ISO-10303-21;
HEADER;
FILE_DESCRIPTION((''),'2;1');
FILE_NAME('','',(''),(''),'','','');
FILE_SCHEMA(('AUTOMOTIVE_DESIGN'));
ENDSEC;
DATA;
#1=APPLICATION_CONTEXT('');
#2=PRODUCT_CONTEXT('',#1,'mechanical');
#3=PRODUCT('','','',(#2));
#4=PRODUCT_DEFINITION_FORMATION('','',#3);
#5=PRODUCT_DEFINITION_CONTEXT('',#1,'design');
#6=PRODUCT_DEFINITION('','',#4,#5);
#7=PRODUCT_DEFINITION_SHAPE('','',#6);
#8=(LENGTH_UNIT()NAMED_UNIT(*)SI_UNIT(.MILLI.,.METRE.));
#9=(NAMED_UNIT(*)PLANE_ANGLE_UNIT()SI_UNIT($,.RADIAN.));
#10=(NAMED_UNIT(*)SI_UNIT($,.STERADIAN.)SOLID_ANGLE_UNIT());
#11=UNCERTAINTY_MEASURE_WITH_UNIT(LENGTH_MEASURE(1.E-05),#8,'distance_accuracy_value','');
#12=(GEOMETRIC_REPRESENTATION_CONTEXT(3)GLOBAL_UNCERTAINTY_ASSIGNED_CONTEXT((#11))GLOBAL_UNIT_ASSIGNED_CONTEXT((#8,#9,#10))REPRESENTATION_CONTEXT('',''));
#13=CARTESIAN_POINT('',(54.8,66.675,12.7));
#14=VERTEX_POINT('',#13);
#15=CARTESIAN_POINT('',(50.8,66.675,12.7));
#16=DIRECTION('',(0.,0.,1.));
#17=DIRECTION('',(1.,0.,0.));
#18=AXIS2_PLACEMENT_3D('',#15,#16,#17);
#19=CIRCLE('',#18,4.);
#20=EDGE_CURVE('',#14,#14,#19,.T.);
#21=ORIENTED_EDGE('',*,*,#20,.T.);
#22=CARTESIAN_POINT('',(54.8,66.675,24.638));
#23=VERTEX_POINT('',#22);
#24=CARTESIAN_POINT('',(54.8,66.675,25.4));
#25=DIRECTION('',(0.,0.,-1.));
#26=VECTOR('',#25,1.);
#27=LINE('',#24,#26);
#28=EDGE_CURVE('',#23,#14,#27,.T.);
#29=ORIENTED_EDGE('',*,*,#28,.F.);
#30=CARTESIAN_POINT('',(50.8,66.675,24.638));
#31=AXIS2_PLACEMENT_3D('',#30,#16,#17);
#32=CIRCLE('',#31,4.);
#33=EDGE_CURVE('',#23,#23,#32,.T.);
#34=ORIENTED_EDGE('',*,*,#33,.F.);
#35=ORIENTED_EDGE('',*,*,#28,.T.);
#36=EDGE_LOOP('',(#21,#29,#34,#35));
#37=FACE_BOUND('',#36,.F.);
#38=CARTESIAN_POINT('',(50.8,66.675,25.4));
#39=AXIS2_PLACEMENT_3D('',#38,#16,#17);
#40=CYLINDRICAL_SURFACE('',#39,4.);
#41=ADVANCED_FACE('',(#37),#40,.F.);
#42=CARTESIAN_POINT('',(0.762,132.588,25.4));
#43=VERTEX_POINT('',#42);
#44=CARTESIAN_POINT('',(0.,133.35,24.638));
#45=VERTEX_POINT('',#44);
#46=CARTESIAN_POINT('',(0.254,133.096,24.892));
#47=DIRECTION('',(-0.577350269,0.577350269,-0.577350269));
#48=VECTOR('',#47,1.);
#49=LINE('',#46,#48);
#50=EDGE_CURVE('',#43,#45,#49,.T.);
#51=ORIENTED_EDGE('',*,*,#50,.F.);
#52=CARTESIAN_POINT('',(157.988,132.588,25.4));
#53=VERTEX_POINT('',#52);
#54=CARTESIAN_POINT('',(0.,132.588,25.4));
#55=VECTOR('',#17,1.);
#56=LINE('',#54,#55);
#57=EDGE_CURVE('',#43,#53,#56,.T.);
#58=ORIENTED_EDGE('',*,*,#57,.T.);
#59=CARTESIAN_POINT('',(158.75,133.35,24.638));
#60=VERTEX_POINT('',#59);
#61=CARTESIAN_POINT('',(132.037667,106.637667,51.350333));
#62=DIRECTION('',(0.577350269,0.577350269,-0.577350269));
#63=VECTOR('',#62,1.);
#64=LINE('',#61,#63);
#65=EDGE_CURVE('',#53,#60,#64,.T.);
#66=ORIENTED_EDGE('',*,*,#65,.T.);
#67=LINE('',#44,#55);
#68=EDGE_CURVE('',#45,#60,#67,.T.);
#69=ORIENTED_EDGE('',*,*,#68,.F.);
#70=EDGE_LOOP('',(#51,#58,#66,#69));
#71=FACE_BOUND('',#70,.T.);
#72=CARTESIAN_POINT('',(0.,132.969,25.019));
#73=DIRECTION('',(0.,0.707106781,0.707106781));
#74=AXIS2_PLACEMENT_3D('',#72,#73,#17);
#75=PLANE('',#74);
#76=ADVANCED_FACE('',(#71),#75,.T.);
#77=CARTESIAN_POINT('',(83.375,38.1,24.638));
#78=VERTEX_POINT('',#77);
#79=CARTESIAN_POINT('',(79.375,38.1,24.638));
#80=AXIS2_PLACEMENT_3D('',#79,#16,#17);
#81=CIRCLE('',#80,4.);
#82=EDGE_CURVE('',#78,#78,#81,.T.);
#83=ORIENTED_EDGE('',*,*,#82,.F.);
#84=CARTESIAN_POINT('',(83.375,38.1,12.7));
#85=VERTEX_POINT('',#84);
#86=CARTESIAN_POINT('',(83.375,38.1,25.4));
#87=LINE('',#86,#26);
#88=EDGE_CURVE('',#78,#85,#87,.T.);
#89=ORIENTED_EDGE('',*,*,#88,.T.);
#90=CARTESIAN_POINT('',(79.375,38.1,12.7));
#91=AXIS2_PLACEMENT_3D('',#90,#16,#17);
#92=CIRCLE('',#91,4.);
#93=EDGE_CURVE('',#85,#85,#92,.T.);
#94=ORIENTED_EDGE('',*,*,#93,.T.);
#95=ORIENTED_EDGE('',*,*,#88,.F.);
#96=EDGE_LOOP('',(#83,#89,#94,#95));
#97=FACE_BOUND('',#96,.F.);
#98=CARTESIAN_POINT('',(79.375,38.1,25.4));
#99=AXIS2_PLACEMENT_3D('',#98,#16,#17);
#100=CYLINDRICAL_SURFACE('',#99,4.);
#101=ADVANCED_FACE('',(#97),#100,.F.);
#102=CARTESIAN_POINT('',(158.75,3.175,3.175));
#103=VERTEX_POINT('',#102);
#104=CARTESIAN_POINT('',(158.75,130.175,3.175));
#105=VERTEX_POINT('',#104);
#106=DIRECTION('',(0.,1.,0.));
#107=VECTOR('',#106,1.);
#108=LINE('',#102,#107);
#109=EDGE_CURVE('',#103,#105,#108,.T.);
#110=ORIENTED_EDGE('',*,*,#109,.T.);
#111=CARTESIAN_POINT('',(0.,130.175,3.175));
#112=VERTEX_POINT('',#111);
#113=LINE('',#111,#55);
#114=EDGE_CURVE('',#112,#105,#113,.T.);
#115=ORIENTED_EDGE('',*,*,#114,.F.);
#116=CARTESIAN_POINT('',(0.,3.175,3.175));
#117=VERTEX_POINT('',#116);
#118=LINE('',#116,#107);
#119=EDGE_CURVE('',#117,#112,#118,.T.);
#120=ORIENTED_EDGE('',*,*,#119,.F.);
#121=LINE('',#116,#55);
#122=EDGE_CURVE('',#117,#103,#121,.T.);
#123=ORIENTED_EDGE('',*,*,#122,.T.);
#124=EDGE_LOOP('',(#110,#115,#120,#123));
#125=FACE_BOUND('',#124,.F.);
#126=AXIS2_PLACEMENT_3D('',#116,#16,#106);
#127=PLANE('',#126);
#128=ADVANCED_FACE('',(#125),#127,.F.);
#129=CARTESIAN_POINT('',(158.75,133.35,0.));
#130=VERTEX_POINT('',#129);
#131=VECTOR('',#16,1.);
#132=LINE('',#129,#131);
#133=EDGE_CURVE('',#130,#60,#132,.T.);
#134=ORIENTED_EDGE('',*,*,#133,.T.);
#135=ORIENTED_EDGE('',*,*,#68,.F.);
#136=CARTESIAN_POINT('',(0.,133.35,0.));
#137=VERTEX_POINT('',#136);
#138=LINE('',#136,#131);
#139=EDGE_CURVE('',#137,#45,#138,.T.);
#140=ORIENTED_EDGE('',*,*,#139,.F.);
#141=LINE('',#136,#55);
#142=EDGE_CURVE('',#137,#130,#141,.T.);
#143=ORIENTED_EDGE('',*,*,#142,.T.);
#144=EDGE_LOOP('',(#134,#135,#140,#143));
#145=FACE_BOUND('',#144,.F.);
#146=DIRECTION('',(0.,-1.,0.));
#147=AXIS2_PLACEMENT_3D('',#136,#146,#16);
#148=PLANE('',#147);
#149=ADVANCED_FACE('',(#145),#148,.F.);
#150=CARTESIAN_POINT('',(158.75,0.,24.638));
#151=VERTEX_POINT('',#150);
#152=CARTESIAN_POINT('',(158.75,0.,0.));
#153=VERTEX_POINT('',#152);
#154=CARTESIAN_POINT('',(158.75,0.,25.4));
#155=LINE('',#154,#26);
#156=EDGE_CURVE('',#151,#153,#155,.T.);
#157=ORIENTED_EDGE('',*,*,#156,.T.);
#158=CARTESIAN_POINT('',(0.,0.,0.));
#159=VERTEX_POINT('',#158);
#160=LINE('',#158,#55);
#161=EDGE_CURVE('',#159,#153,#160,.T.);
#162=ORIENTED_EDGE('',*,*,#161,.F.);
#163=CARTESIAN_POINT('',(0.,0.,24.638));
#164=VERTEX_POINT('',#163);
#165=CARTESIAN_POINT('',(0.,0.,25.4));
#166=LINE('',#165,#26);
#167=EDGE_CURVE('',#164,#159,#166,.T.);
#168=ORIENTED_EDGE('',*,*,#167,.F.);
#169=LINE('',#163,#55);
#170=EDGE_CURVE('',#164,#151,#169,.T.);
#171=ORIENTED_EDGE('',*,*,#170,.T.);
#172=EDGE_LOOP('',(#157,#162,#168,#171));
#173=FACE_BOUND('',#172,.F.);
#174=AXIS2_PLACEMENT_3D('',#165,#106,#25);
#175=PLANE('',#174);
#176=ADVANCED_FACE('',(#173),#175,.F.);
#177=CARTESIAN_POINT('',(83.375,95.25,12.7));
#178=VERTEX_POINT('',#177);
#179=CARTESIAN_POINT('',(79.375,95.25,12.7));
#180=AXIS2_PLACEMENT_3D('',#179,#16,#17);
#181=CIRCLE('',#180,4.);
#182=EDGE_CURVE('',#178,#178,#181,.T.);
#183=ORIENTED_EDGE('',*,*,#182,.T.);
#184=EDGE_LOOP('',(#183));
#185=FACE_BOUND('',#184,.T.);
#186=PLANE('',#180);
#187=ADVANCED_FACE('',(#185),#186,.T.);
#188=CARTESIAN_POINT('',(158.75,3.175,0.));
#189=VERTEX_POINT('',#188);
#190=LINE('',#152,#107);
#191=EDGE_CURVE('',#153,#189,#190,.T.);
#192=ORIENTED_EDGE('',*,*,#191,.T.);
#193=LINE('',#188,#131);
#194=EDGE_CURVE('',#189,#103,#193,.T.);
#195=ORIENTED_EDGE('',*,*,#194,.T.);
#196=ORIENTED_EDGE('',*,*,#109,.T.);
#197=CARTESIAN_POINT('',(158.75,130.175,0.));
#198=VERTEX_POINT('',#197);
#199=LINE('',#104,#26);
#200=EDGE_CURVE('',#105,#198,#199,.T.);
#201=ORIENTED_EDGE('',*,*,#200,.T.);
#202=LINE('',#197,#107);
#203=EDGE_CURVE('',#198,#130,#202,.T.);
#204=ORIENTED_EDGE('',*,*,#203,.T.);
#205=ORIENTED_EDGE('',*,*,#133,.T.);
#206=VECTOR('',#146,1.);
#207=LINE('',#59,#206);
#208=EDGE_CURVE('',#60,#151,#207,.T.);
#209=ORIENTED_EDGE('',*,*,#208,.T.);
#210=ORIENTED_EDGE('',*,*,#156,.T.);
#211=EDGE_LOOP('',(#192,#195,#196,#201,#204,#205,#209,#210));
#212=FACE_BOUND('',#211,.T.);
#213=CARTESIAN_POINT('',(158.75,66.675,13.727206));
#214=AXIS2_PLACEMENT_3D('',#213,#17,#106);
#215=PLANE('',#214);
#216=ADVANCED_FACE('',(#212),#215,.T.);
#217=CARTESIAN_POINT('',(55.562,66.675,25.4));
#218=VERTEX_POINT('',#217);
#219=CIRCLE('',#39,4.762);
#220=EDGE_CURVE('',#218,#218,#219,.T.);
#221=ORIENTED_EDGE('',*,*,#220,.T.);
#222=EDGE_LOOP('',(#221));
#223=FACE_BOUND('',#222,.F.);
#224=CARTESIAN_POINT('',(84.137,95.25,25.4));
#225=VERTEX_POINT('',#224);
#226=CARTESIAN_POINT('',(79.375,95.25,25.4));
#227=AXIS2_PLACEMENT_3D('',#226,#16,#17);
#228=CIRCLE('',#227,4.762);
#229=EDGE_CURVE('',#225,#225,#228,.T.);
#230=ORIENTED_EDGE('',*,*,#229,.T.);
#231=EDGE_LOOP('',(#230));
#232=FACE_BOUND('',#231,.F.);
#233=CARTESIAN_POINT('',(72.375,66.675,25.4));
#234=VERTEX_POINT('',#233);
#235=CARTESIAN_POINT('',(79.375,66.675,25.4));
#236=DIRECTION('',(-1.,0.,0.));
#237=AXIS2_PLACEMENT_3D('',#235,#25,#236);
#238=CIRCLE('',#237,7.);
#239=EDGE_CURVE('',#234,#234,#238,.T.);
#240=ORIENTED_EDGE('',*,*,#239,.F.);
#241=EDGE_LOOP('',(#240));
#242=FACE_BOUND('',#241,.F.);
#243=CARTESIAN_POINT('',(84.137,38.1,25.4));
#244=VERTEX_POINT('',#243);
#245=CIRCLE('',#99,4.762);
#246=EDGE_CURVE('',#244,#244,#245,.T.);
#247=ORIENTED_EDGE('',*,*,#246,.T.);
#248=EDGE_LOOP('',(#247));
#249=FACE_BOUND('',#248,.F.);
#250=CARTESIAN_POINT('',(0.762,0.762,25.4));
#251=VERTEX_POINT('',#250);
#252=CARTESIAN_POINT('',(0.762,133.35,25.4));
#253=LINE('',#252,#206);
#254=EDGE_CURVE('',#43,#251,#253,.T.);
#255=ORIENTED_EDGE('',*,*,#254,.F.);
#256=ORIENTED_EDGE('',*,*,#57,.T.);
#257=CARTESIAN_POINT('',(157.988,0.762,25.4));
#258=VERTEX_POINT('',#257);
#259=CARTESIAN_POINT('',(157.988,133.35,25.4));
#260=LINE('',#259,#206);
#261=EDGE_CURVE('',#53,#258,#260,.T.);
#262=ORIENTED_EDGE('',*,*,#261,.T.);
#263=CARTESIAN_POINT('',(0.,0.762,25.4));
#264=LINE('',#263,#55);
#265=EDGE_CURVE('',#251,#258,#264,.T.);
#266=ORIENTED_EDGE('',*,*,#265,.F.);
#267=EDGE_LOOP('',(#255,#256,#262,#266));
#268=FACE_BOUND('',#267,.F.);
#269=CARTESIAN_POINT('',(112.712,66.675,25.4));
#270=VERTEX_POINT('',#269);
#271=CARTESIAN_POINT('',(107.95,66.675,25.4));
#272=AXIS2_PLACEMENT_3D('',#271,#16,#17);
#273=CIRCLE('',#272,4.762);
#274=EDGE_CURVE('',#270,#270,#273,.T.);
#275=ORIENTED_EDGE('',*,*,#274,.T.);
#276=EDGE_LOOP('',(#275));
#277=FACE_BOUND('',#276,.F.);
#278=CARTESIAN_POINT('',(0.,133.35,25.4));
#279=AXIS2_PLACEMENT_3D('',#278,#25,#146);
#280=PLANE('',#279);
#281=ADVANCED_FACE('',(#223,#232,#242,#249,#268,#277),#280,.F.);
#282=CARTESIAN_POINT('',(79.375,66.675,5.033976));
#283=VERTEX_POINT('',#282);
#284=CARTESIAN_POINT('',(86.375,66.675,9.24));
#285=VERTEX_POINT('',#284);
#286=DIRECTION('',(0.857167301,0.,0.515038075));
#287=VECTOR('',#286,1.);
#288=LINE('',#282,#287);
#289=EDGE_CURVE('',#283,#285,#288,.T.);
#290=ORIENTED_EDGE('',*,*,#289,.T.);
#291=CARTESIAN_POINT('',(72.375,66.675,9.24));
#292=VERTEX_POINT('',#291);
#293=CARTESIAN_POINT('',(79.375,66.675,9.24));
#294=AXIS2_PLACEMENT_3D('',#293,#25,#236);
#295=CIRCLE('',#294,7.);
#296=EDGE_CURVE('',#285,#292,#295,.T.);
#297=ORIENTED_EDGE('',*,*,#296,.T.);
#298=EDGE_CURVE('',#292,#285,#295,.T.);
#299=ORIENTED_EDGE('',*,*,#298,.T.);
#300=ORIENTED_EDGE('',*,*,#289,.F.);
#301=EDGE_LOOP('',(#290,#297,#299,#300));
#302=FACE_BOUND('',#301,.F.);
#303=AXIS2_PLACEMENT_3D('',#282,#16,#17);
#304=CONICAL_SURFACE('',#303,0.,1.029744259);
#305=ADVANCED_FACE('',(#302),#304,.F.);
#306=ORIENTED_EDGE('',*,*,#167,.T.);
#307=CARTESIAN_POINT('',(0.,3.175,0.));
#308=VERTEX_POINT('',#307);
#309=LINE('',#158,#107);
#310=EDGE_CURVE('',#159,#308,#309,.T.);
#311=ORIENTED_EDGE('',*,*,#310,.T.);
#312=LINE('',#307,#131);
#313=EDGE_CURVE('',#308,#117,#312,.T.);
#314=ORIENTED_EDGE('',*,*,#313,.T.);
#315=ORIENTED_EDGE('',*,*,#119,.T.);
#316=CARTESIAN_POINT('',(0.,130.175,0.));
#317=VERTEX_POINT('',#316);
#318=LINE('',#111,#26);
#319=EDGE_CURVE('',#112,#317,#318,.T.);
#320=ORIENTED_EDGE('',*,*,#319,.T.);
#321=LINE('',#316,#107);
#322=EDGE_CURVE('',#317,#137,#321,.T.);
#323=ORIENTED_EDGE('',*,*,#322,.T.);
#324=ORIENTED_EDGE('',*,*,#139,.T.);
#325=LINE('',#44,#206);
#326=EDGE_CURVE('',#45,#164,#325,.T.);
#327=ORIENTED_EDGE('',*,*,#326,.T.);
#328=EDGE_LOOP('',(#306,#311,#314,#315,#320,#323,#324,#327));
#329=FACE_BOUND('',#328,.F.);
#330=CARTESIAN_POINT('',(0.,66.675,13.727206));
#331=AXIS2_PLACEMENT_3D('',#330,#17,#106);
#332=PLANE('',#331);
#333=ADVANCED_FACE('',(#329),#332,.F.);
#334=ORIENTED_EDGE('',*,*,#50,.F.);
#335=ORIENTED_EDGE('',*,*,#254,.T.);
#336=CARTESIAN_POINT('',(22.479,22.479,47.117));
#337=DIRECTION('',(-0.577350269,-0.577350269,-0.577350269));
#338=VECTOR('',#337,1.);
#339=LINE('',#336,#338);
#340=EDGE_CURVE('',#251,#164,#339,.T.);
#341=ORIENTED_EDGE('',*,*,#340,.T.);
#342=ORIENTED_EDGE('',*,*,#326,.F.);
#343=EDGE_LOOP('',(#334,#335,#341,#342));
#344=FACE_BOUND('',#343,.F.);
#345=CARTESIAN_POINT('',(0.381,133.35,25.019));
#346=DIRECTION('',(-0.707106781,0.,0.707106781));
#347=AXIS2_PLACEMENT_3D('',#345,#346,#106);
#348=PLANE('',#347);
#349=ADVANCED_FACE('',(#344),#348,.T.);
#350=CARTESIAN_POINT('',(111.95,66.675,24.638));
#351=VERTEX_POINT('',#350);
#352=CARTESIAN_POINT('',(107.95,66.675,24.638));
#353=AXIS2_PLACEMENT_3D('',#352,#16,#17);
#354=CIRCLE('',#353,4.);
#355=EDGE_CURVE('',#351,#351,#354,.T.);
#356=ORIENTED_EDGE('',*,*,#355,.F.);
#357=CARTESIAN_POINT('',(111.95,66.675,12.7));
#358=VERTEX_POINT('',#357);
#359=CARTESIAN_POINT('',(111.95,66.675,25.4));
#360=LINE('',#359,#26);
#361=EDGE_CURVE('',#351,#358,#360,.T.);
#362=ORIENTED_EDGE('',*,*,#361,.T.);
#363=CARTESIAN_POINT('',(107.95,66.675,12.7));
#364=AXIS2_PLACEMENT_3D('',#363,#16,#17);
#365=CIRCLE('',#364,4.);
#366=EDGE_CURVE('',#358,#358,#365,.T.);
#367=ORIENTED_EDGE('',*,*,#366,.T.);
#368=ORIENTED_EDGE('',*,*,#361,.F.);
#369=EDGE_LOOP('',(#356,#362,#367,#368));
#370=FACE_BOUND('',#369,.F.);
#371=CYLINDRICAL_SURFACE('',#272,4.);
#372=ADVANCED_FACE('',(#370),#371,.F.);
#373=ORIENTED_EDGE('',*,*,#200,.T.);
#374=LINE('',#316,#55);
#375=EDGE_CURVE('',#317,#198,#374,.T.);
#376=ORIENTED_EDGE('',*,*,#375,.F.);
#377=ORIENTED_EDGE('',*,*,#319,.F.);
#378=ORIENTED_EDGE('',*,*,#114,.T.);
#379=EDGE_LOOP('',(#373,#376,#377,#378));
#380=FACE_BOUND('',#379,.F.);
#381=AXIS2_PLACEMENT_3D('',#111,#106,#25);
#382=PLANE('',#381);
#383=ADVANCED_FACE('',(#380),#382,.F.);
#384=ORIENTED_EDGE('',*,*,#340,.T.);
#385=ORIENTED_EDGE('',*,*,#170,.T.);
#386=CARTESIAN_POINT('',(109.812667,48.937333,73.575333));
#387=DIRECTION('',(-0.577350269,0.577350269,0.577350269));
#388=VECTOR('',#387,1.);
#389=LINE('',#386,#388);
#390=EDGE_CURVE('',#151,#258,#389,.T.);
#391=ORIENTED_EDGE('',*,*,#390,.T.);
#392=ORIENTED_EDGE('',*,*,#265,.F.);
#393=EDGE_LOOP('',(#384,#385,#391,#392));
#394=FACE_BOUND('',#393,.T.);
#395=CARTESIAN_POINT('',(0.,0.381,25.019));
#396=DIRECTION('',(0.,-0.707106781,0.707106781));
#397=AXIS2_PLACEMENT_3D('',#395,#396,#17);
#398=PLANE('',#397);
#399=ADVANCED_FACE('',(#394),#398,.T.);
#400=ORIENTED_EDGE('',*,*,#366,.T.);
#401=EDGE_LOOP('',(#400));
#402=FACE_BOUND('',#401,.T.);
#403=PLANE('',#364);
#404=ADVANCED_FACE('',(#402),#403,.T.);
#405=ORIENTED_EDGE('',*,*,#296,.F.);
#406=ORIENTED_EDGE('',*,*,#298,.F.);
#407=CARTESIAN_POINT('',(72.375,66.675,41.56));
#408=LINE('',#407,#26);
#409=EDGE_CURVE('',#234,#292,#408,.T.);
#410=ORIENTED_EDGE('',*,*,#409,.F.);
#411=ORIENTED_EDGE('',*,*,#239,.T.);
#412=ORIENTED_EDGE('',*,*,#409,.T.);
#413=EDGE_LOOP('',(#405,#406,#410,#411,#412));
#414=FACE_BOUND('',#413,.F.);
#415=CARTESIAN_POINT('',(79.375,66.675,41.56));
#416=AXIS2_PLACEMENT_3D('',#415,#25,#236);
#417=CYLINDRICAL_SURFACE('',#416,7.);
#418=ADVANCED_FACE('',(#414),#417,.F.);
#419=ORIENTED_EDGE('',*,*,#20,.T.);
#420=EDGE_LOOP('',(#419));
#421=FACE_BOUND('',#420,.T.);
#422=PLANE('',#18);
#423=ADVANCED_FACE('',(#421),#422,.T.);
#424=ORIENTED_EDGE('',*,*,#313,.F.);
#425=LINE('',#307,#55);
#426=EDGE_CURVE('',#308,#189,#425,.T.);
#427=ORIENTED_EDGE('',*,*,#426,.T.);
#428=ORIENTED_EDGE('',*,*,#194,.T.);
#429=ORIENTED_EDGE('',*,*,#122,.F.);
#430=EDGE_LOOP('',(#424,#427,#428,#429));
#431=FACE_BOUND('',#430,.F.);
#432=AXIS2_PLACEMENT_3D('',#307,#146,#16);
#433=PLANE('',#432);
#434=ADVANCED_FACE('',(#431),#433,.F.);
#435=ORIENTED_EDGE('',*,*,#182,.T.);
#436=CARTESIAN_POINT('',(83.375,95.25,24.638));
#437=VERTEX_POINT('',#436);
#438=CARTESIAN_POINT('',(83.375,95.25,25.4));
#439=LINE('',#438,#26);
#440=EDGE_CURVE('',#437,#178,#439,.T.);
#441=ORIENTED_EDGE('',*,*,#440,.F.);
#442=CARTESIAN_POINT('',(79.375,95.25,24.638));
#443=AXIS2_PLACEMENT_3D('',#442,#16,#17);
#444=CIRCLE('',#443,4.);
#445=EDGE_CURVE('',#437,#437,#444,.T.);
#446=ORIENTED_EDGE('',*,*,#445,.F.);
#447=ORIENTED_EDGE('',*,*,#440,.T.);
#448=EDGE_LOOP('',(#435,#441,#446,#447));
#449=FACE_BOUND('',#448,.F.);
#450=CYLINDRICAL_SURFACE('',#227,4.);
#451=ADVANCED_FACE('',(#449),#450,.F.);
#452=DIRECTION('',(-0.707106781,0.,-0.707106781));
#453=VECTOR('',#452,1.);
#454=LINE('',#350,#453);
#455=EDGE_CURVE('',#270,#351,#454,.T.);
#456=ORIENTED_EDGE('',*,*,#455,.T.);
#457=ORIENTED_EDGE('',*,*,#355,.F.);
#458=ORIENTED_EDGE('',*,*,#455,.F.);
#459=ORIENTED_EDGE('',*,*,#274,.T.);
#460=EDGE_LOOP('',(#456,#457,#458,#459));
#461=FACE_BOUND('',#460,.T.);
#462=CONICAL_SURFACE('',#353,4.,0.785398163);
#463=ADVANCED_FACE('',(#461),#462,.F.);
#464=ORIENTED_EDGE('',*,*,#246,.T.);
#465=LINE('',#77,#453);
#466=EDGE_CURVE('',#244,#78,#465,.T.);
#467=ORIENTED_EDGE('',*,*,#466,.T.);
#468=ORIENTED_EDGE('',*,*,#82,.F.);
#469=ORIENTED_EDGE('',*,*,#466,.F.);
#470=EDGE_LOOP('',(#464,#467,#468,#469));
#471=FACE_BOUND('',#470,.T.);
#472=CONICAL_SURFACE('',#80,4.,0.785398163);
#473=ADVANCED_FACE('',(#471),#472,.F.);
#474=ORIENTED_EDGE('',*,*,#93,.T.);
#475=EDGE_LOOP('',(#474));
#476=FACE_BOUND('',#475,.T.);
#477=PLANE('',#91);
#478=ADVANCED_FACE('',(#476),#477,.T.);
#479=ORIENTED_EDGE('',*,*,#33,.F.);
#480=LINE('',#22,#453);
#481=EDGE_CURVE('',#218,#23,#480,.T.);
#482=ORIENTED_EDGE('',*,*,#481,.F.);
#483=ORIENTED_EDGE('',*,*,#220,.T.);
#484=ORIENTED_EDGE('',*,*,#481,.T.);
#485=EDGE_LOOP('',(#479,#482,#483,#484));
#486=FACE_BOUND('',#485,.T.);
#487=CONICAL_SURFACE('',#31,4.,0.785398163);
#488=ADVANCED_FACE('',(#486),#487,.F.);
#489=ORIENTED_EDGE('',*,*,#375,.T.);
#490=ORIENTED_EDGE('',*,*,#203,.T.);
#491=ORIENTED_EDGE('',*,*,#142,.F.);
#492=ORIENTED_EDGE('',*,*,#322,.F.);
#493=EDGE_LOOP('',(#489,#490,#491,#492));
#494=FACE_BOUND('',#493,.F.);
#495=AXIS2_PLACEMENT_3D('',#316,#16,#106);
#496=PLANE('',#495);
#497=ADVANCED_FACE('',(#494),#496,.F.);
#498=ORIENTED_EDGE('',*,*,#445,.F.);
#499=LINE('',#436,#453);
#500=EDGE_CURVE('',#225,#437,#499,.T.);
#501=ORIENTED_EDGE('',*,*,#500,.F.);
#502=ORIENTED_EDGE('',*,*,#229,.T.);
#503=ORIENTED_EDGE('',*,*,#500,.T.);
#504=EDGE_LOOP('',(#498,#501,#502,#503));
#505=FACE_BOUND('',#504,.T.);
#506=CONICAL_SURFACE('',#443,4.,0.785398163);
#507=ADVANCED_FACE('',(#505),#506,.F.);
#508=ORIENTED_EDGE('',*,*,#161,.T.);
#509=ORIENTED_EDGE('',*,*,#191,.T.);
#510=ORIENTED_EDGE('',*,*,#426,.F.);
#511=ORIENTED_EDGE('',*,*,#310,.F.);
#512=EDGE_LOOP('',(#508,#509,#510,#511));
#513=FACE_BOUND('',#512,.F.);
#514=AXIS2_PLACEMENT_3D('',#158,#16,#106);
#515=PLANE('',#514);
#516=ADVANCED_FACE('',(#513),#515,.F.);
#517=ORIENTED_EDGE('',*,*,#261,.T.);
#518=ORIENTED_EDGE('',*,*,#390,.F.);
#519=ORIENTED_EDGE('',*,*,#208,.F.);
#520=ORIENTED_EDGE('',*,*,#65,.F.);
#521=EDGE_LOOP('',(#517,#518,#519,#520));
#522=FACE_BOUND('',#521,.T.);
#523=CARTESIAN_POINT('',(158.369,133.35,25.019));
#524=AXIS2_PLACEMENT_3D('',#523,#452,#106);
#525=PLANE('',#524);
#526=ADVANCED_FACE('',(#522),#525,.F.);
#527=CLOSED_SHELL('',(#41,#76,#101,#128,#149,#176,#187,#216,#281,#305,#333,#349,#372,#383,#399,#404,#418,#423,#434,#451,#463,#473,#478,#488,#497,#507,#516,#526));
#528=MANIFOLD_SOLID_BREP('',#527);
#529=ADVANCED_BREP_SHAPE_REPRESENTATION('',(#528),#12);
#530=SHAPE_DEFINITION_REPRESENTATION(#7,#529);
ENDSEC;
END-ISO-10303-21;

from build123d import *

# Parameters (mm, degrees)
F1_DEPTH = 158.75
F2_R     = 4
F3_DEPTH = 12.7
F4_SIZE  = 0.762
F5_D     = 14
F5_DEPTH = 16.16
F5_TIP   = 4.2060243332


with BuildPart() as f1:
    # F0 (on Right) → F1 (new body)
    with BuildSketch(Plane.YZ):
        Polygon((0, 25.4), (0, 0), (3.175, 0), (3.175, 3.175), (130.175, 3.175), (130.175, 0), (133.35, 0), (133.35, 25.4), align=None)
    extrude(amount=F1_DEPTH)

    # F2 (on face) → F3 (cut)
    with BuildSketch(Plane.XY.offset(25.4)):
        with Locations((79.375, 95.25)):
            Circle(F2_R)
        with Locations((50.8, 66.675)):
            Circle(F2_R)
        with Locations((79.375, 38.1)):
            Circle(F2_R)
        with Locations((107.95, 66.675)):
            Circle(F2_R)
    extrude(amount=-F3_DEPTH, mode=Mode.SUBTRACT)

    # F4
    f4_edges = [f1.edges().sort_by_distance(p)[0] for p in [
        (75.375, 95.25, 25.4),
        (103.95, 66.675, 25.4),
        (75.375, 38.1, 25.4),
        (46.8, 66.675, 25.4),
        (79.375, 133.35, 25.4),
        (0, 66.675, 25.4),
        (79.375, 0, 25.4),
        (158.75, 66.675, 25.4),
    ]]
    chamfer(f4_edges, length=F4_SIZE)

    # F5
    with Locations(Plane.XY.offset(25.4)):
        with Locations((79.375, 66.675)):
            Hole(F5_D / 2, depth=F5_DEPTH)
            with Locations((0, 0, -(F5_DEPTH + F5_TIP / 2))):  # 118° drill point
                Cone(0, F5_D / 2, F5_TIP, mode=Mode.SUBTRACT)


solid = f1.part
